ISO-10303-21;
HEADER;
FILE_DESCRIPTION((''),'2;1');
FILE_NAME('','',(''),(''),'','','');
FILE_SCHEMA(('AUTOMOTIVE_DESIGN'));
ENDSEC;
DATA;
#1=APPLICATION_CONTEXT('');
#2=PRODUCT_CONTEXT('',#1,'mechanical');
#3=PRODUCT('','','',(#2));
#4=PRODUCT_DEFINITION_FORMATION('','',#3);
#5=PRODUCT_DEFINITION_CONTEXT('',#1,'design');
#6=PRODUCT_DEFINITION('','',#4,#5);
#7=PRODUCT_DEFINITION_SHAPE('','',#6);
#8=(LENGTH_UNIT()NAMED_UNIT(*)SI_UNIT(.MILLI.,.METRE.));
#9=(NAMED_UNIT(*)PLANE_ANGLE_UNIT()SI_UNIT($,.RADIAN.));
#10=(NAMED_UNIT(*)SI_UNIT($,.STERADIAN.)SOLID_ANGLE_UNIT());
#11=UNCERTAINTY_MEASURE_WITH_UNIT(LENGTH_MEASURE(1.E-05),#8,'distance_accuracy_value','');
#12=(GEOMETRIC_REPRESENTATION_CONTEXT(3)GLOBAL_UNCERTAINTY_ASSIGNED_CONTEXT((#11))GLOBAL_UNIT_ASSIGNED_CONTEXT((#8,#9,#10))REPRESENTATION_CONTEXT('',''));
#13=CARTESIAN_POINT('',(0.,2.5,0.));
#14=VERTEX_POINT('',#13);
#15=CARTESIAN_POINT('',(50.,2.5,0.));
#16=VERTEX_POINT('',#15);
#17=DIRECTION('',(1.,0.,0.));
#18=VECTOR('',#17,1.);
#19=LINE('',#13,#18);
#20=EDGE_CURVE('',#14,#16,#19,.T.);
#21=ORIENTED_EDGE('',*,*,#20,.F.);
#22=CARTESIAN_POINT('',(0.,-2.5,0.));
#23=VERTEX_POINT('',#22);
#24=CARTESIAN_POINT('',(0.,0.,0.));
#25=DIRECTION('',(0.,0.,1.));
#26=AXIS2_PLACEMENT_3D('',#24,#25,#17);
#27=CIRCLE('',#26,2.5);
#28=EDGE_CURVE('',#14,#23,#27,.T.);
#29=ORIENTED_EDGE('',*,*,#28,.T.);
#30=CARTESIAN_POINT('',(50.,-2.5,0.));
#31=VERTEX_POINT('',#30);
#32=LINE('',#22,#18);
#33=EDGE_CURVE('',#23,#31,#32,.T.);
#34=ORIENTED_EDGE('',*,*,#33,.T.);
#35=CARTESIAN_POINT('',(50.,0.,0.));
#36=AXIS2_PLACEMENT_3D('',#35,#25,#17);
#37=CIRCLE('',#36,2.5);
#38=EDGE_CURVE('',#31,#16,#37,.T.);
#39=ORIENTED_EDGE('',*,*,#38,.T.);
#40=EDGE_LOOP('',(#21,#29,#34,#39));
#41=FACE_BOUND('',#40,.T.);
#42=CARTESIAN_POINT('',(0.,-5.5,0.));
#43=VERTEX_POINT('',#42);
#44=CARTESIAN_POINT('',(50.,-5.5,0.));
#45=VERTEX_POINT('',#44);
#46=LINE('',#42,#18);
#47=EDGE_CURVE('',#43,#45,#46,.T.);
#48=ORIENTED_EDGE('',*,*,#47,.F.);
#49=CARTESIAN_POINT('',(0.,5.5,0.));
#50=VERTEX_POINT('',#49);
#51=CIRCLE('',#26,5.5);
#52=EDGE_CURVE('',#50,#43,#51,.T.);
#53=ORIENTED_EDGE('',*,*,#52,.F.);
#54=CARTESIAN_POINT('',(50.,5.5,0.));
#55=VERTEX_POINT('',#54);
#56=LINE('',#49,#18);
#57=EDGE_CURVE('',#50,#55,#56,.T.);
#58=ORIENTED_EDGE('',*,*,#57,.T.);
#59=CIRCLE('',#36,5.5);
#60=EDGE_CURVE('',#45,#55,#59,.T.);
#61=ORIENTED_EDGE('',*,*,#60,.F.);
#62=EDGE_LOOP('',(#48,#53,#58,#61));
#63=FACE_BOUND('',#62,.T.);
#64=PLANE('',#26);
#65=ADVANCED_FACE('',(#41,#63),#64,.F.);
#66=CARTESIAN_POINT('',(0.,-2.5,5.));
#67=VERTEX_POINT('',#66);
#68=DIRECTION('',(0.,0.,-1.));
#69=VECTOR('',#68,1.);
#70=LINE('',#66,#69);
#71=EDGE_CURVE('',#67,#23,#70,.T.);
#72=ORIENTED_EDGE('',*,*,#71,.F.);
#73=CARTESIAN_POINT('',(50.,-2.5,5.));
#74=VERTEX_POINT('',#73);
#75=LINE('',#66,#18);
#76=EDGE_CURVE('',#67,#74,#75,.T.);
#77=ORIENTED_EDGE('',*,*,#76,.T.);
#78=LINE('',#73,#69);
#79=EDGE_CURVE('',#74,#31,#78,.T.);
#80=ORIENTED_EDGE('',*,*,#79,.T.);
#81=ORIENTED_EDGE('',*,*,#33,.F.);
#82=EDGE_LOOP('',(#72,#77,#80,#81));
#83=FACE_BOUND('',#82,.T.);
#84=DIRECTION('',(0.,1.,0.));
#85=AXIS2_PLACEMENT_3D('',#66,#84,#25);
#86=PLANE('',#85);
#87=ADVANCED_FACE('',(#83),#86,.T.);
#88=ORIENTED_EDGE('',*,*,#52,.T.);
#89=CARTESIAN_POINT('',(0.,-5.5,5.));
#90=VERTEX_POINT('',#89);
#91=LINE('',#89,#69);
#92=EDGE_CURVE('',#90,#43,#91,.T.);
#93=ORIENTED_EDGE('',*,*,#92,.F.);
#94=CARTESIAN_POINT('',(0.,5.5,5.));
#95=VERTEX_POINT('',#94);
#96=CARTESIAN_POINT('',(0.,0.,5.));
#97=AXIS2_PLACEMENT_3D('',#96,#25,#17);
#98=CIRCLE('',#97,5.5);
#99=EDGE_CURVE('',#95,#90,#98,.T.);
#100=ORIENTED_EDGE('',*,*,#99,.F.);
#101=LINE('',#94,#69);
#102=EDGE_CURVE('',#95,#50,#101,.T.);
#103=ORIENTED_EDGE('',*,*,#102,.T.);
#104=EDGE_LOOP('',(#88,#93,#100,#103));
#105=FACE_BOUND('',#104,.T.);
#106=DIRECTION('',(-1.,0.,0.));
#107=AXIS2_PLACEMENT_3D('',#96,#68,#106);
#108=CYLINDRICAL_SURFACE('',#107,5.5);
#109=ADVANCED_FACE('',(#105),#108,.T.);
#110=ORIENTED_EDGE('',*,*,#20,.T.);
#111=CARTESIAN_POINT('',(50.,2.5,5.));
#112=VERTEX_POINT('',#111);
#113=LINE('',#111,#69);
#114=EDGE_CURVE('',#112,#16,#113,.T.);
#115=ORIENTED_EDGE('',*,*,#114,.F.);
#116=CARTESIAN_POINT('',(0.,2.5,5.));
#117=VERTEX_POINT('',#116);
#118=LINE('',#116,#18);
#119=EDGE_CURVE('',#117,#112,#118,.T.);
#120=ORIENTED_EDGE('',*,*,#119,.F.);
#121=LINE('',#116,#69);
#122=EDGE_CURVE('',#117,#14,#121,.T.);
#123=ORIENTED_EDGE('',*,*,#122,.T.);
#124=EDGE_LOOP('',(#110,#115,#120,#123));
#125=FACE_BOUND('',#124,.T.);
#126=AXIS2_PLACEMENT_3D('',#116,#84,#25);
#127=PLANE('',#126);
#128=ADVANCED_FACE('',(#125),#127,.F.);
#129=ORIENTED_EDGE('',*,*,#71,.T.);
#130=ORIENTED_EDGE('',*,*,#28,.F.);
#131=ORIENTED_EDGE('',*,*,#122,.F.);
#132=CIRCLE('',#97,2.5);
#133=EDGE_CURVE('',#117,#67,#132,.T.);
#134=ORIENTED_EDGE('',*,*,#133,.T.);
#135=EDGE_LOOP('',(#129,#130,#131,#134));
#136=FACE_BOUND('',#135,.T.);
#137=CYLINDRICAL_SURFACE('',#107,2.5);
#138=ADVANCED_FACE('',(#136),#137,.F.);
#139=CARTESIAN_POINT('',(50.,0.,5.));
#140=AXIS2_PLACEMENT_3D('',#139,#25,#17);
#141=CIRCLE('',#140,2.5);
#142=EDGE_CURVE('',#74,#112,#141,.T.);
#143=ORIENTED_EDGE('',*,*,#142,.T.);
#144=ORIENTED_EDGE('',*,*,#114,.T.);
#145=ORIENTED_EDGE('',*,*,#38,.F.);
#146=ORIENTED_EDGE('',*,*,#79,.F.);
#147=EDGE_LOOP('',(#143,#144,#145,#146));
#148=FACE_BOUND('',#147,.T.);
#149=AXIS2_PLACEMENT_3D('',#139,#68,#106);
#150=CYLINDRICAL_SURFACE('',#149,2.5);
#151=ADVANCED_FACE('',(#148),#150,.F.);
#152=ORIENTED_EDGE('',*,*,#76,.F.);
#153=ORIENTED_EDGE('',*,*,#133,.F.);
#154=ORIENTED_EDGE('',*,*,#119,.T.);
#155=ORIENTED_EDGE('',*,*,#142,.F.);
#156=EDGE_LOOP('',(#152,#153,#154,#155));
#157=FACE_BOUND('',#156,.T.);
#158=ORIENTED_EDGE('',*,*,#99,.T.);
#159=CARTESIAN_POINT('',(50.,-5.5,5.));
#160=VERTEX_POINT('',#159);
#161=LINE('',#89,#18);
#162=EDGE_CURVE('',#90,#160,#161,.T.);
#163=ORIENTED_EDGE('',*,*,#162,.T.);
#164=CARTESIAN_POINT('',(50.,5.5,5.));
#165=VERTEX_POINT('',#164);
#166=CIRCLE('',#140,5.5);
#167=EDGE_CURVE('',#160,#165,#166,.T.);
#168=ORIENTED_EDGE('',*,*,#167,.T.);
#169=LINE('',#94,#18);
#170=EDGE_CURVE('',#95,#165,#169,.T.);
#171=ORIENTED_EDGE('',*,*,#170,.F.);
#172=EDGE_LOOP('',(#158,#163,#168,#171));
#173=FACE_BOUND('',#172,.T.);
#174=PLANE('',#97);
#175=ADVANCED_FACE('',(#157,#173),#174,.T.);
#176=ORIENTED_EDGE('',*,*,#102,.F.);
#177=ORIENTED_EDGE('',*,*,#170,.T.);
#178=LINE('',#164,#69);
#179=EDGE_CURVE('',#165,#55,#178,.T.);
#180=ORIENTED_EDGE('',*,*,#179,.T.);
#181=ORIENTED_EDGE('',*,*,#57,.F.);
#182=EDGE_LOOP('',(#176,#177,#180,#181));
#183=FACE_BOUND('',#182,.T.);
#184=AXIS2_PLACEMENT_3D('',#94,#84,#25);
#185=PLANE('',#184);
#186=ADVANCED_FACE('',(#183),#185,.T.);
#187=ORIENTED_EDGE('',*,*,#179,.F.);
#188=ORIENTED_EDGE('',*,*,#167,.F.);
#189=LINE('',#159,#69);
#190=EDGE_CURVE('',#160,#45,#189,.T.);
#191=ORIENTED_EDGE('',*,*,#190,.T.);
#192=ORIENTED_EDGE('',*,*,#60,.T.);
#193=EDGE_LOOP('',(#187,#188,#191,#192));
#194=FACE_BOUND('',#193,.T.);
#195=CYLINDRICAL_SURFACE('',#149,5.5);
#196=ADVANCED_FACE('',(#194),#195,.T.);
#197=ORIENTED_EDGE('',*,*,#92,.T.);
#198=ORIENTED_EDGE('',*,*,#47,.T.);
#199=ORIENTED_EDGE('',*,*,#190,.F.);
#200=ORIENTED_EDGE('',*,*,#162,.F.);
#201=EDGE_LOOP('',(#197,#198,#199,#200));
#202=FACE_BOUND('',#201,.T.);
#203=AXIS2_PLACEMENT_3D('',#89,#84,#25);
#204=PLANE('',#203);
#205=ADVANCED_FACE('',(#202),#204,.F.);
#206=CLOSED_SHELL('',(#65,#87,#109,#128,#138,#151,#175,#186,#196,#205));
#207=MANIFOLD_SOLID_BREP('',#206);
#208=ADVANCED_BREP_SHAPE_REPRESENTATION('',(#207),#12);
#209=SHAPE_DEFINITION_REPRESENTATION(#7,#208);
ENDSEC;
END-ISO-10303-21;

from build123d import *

# Parameters (mm, degrees)
BOSS_EXTRUDE1_DEPTH = 5


with BuildPart() as part:
    # Sketch2 → Boss-Extrude1 (new body)
    with BuildSketch(Plane.XY):
        with BuildLine():
            Line((0, 5.5), (50, 5.5))
            ThreePointArc((50, 5.5), (55.5, 0), (50, -5.5))
            Line((50, -5.5), (0, -5.5))
            ThreePointArc((0, -5.5), (-5.5, 0), (0, 5.5))
        make_face()
        with BuildLine():
            ThreePointArc((50, -2.5), (52.5, 0), (50, 2.5))
            Line((50, 2.5), (0, 2.5))
            ThreePointArc((0, 2.5), (-2.5, 0), (0, -2.5))
            Line((0, -2.5), (50, -2.5))
        make_face(mode=Mode.SUBTRACT)
    extrude(amount=BOSS_EXTRUDE1_DEPTH)


solid = part.part
